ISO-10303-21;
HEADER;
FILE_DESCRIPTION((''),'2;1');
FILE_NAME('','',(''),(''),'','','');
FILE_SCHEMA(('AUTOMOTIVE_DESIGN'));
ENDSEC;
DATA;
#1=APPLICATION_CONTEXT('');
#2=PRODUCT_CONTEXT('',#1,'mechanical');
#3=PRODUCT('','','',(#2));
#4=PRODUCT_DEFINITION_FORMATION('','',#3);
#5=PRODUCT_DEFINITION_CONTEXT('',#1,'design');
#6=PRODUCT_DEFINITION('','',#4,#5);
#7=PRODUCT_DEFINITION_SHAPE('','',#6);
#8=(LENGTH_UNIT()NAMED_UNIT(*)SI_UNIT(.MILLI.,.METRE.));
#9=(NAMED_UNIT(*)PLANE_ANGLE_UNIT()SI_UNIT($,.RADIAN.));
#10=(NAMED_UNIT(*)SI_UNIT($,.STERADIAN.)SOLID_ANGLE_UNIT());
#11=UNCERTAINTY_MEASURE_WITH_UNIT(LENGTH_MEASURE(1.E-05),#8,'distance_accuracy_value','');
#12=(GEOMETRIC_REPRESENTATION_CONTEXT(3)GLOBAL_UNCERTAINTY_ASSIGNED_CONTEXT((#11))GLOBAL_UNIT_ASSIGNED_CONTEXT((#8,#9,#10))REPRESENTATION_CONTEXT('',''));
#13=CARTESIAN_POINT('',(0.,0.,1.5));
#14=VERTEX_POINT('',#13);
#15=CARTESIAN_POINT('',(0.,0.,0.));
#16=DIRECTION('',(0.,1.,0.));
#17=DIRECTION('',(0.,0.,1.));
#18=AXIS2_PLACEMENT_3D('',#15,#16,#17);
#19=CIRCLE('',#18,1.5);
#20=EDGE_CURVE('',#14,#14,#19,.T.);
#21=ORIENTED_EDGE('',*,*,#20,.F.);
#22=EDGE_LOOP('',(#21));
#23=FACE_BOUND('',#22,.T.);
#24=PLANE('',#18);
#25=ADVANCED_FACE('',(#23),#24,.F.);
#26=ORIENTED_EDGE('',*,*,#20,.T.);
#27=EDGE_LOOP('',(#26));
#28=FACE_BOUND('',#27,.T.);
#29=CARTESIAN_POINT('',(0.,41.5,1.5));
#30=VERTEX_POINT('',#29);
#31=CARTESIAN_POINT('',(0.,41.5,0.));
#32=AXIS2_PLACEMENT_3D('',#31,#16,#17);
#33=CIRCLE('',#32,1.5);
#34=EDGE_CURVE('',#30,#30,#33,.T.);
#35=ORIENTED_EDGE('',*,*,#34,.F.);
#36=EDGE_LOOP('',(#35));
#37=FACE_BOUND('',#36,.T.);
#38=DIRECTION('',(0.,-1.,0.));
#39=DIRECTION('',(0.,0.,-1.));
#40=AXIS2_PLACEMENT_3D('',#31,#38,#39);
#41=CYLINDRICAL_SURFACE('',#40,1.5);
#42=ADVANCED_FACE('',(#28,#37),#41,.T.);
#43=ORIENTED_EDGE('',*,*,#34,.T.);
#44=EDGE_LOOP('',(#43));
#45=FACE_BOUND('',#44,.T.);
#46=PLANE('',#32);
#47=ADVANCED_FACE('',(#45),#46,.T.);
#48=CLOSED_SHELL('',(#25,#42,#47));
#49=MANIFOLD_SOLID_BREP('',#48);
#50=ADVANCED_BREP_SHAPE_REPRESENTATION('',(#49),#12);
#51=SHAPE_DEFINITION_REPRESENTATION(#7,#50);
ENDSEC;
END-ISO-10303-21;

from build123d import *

# Parameters (mm, degrees)
SKETCH_1_R      = 1.5
EXTRUDE_1_DEPTH = 41.5


with BuildPart() as part:
    # 草图1 → 凸台-拉伸1 (new body)
    with BuildSketch(Plane(origin=(0, 0, 0), x_dir=(1, 0, 0), z_dir=(0, 1, 0))):
        with Locations(Location((0, 0, 0), (0, 0, 270))):
            Circle(SKETCH_1_R)
    extrude(amount=EXTRUDE_1_DEPTH)


solid = part.part
